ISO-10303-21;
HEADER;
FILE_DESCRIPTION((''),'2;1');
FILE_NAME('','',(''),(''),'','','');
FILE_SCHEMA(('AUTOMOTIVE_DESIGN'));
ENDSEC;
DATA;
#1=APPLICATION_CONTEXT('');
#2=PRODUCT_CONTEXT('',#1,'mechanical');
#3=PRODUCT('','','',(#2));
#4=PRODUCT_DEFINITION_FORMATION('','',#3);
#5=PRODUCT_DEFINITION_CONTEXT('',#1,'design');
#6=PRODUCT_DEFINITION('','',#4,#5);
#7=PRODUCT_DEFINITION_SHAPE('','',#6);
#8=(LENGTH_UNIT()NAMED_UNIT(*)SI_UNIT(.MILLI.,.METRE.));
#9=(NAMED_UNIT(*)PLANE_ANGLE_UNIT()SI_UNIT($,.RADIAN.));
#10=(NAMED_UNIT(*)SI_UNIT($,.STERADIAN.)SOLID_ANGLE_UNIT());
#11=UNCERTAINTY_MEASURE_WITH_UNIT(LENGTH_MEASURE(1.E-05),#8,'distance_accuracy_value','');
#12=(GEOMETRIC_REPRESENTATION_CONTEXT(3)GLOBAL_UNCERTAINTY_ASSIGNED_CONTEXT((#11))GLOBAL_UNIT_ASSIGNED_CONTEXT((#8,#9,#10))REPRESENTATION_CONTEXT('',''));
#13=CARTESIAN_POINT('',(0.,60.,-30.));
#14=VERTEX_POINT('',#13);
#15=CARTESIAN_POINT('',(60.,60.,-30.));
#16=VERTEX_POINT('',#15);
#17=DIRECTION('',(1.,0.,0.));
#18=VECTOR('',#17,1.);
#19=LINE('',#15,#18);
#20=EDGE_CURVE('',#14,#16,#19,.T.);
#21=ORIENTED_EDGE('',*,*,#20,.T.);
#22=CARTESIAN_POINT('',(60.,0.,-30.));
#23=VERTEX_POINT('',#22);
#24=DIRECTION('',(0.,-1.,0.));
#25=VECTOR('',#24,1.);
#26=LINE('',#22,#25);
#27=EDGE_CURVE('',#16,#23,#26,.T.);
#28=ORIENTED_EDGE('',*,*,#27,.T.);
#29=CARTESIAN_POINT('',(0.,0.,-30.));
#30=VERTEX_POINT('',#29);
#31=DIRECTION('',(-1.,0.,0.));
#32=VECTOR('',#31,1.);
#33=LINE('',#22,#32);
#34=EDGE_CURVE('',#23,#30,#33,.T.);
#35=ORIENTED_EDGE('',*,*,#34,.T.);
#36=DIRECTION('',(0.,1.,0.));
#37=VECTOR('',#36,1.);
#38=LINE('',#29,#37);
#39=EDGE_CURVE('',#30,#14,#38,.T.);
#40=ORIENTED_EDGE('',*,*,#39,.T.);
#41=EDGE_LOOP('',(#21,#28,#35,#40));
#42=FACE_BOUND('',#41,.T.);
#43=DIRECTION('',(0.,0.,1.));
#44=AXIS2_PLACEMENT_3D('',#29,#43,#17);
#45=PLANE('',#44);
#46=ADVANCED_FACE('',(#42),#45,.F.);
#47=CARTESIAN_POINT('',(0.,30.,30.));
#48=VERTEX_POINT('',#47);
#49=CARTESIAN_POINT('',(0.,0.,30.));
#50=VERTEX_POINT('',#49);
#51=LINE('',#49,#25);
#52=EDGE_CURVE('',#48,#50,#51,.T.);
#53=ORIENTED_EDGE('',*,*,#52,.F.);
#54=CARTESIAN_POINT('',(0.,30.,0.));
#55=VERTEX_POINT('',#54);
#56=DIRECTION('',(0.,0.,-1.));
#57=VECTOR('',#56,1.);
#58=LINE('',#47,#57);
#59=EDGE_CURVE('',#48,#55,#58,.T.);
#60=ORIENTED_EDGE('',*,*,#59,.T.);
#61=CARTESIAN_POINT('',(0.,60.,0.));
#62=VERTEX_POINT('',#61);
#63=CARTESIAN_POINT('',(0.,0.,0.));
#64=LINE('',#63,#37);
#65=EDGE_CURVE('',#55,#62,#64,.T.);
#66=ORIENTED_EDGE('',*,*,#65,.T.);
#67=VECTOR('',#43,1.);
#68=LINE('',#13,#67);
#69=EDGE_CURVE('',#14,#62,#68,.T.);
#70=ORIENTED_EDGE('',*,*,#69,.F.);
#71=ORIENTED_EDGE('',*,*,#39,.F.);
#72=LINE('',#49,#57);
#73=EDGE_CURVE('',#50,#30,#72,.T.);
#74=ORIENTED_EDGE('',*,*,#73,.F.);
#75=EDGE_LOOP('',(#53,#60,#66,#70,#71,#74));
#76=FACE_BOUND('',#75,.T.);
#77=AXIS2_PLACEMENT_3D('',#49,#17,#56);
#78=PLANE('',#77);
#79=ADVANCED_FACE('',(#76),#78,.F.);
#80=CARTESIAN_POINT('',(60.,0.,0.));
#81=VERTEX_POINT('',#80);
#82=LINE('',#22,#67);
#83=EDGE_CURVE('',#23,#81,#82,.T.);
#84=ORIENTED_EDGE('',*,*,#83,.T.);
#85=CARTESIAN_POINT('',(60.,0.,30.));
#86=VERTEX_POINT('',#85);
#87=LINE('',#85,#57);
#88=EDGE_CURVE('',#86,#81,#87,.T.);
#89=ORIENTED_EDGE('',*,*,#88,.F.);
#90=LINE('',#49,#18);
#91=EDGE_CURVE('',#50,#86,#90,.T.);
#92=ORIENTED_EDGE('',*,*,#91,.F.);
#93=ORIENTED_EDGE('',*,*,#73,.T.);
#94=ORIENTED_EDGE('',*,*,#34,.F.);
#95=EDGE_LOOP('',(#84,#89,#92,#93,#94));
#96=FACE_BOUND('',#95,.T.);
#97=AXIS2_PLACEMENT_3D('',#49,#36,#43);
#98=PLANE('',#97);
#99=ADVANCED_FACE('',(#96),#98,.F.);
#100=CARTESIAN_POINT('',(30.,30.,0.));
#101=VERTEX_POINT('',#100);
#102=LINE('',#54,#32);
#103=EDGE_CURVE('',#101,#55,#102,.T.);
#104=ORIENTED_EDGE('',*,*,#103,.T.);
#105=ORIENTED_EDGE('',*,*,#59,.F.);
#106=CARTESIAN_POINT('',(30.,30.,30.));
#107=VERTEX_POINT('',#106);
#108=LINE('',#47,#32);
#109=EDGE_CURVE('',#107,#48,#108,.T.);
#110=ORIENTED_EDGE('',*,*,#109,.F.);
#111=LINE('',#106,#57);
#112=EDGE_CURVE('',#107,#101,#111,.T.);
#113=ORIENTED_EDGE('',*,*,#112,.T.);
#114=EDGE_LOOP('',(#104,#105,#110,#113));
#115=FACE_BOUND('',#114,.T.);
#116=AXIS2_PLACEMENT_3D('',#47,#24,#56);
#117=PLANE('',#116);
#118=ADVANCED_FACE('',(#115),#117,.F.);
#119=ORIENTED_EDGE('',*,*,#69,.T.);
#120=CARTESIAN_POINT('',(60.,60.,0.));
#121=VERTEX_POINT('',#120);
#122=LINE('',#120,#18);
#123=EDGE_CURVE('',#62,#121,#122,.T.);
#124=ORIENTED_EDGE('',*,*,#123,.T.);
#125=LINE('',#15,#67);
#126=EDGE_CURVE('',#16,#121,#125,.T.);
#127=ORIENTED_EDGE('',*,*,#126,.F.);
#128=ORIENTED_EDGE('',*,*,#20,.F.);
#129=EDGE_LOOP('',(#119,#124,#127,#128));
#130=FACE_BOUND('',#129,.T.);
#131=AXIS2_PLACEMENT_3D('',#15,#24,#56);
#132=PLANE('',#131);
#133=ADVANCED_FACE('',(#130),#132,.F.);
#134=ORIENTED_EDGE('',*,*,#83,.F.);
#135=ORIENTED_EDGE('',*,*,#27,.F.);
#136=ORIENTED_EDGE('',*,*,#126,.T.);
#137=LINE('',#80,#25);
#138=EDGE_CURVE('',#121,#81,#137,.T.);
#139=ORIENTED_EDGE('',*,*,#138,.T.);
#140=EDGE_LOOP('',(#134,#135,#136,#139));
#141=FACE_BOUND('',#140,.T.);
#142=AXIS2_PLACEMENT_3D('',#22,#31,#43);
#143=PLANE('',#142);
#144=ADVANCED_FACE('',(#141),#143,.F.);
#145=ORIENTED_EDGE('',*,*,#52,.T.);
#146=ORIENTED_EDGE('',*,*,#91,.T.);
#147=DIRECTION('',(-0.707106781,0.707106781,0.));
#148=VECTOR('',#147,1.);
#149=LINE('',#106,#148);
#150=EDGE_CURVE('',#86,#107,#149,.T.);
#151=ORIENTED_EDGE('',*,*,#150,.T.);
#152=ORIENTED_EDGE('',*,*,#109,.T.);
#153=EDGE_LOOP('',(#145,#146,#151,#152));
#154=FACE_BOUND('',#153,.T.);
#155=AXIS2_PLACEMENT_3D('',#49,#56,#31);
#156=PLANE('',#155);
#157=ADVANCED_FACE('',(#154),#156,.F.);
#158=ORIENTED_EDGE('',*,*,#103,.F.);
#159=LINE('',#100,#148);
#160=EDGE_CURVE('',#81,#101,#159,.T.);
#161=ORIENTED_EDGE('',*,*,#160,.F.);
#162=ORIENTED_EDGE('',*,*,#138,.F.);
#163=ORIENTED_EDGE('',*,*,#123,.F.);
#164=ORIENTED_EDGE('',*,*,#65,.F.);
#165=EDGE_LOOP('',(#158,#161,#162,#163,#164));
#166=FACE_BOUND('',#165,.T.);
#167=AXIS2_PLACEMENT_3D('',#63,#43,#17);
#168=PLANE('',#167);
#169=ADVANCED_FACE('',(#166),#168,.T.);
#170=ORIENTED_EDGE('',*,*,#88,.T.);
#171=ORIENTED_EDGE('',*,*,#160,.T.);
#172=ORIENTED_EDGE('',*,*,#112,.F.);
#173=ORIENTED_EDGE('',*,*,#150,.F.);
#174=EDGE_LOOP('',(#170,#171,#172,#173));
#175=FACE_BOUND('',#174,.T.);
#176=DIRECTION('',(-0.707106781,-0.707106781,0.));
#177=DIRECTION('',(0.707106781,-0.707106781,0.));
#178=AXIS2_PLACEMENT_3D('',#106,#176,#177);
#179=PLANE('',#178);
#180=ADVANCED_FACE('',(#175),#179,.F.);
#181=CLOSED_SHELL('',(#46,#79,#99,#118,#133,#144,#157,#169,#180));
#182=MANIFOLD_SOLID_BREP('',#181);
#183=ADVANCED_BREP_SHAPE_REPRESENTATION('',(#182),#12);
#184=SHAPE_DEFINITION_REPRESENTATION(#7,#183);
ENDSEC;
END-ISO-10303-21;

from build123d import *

# Parameters (mm, degrees)
RESSALTO_EXTRUS_O1_DEPTH = 30
ESBO_O2_W                = 60
ESBO_O2_H                = 60
RESSALTO_EXTRUS_O2_DEPTH = 30


with BuildPart() as part:
    # Esboço1 → Ressalto-extrusão1 (new body)
    with BuildSketch(Plane.XY):
        Polygon((0, 0), (60, 0), (30, 30), (0, 30), align=None)
    extrude(amount=RESSALTO_EXTRUS_O1_DEPTH)

    # Esboço2 → Ressalto-extrusão2 (add)
    with BuildSketch(Plane(origin=(0, 0, 0), x_dir=(-1, 0, 0), z_dir=(0, 0, -1))):
        with Locations((-30, 30)):
            Rectangle(ESBO_O2_W, ESBO_O2_H)
    extrude(amount=RESSALTO_EXTRUS_O2_DEPTH)


solid = part.part
